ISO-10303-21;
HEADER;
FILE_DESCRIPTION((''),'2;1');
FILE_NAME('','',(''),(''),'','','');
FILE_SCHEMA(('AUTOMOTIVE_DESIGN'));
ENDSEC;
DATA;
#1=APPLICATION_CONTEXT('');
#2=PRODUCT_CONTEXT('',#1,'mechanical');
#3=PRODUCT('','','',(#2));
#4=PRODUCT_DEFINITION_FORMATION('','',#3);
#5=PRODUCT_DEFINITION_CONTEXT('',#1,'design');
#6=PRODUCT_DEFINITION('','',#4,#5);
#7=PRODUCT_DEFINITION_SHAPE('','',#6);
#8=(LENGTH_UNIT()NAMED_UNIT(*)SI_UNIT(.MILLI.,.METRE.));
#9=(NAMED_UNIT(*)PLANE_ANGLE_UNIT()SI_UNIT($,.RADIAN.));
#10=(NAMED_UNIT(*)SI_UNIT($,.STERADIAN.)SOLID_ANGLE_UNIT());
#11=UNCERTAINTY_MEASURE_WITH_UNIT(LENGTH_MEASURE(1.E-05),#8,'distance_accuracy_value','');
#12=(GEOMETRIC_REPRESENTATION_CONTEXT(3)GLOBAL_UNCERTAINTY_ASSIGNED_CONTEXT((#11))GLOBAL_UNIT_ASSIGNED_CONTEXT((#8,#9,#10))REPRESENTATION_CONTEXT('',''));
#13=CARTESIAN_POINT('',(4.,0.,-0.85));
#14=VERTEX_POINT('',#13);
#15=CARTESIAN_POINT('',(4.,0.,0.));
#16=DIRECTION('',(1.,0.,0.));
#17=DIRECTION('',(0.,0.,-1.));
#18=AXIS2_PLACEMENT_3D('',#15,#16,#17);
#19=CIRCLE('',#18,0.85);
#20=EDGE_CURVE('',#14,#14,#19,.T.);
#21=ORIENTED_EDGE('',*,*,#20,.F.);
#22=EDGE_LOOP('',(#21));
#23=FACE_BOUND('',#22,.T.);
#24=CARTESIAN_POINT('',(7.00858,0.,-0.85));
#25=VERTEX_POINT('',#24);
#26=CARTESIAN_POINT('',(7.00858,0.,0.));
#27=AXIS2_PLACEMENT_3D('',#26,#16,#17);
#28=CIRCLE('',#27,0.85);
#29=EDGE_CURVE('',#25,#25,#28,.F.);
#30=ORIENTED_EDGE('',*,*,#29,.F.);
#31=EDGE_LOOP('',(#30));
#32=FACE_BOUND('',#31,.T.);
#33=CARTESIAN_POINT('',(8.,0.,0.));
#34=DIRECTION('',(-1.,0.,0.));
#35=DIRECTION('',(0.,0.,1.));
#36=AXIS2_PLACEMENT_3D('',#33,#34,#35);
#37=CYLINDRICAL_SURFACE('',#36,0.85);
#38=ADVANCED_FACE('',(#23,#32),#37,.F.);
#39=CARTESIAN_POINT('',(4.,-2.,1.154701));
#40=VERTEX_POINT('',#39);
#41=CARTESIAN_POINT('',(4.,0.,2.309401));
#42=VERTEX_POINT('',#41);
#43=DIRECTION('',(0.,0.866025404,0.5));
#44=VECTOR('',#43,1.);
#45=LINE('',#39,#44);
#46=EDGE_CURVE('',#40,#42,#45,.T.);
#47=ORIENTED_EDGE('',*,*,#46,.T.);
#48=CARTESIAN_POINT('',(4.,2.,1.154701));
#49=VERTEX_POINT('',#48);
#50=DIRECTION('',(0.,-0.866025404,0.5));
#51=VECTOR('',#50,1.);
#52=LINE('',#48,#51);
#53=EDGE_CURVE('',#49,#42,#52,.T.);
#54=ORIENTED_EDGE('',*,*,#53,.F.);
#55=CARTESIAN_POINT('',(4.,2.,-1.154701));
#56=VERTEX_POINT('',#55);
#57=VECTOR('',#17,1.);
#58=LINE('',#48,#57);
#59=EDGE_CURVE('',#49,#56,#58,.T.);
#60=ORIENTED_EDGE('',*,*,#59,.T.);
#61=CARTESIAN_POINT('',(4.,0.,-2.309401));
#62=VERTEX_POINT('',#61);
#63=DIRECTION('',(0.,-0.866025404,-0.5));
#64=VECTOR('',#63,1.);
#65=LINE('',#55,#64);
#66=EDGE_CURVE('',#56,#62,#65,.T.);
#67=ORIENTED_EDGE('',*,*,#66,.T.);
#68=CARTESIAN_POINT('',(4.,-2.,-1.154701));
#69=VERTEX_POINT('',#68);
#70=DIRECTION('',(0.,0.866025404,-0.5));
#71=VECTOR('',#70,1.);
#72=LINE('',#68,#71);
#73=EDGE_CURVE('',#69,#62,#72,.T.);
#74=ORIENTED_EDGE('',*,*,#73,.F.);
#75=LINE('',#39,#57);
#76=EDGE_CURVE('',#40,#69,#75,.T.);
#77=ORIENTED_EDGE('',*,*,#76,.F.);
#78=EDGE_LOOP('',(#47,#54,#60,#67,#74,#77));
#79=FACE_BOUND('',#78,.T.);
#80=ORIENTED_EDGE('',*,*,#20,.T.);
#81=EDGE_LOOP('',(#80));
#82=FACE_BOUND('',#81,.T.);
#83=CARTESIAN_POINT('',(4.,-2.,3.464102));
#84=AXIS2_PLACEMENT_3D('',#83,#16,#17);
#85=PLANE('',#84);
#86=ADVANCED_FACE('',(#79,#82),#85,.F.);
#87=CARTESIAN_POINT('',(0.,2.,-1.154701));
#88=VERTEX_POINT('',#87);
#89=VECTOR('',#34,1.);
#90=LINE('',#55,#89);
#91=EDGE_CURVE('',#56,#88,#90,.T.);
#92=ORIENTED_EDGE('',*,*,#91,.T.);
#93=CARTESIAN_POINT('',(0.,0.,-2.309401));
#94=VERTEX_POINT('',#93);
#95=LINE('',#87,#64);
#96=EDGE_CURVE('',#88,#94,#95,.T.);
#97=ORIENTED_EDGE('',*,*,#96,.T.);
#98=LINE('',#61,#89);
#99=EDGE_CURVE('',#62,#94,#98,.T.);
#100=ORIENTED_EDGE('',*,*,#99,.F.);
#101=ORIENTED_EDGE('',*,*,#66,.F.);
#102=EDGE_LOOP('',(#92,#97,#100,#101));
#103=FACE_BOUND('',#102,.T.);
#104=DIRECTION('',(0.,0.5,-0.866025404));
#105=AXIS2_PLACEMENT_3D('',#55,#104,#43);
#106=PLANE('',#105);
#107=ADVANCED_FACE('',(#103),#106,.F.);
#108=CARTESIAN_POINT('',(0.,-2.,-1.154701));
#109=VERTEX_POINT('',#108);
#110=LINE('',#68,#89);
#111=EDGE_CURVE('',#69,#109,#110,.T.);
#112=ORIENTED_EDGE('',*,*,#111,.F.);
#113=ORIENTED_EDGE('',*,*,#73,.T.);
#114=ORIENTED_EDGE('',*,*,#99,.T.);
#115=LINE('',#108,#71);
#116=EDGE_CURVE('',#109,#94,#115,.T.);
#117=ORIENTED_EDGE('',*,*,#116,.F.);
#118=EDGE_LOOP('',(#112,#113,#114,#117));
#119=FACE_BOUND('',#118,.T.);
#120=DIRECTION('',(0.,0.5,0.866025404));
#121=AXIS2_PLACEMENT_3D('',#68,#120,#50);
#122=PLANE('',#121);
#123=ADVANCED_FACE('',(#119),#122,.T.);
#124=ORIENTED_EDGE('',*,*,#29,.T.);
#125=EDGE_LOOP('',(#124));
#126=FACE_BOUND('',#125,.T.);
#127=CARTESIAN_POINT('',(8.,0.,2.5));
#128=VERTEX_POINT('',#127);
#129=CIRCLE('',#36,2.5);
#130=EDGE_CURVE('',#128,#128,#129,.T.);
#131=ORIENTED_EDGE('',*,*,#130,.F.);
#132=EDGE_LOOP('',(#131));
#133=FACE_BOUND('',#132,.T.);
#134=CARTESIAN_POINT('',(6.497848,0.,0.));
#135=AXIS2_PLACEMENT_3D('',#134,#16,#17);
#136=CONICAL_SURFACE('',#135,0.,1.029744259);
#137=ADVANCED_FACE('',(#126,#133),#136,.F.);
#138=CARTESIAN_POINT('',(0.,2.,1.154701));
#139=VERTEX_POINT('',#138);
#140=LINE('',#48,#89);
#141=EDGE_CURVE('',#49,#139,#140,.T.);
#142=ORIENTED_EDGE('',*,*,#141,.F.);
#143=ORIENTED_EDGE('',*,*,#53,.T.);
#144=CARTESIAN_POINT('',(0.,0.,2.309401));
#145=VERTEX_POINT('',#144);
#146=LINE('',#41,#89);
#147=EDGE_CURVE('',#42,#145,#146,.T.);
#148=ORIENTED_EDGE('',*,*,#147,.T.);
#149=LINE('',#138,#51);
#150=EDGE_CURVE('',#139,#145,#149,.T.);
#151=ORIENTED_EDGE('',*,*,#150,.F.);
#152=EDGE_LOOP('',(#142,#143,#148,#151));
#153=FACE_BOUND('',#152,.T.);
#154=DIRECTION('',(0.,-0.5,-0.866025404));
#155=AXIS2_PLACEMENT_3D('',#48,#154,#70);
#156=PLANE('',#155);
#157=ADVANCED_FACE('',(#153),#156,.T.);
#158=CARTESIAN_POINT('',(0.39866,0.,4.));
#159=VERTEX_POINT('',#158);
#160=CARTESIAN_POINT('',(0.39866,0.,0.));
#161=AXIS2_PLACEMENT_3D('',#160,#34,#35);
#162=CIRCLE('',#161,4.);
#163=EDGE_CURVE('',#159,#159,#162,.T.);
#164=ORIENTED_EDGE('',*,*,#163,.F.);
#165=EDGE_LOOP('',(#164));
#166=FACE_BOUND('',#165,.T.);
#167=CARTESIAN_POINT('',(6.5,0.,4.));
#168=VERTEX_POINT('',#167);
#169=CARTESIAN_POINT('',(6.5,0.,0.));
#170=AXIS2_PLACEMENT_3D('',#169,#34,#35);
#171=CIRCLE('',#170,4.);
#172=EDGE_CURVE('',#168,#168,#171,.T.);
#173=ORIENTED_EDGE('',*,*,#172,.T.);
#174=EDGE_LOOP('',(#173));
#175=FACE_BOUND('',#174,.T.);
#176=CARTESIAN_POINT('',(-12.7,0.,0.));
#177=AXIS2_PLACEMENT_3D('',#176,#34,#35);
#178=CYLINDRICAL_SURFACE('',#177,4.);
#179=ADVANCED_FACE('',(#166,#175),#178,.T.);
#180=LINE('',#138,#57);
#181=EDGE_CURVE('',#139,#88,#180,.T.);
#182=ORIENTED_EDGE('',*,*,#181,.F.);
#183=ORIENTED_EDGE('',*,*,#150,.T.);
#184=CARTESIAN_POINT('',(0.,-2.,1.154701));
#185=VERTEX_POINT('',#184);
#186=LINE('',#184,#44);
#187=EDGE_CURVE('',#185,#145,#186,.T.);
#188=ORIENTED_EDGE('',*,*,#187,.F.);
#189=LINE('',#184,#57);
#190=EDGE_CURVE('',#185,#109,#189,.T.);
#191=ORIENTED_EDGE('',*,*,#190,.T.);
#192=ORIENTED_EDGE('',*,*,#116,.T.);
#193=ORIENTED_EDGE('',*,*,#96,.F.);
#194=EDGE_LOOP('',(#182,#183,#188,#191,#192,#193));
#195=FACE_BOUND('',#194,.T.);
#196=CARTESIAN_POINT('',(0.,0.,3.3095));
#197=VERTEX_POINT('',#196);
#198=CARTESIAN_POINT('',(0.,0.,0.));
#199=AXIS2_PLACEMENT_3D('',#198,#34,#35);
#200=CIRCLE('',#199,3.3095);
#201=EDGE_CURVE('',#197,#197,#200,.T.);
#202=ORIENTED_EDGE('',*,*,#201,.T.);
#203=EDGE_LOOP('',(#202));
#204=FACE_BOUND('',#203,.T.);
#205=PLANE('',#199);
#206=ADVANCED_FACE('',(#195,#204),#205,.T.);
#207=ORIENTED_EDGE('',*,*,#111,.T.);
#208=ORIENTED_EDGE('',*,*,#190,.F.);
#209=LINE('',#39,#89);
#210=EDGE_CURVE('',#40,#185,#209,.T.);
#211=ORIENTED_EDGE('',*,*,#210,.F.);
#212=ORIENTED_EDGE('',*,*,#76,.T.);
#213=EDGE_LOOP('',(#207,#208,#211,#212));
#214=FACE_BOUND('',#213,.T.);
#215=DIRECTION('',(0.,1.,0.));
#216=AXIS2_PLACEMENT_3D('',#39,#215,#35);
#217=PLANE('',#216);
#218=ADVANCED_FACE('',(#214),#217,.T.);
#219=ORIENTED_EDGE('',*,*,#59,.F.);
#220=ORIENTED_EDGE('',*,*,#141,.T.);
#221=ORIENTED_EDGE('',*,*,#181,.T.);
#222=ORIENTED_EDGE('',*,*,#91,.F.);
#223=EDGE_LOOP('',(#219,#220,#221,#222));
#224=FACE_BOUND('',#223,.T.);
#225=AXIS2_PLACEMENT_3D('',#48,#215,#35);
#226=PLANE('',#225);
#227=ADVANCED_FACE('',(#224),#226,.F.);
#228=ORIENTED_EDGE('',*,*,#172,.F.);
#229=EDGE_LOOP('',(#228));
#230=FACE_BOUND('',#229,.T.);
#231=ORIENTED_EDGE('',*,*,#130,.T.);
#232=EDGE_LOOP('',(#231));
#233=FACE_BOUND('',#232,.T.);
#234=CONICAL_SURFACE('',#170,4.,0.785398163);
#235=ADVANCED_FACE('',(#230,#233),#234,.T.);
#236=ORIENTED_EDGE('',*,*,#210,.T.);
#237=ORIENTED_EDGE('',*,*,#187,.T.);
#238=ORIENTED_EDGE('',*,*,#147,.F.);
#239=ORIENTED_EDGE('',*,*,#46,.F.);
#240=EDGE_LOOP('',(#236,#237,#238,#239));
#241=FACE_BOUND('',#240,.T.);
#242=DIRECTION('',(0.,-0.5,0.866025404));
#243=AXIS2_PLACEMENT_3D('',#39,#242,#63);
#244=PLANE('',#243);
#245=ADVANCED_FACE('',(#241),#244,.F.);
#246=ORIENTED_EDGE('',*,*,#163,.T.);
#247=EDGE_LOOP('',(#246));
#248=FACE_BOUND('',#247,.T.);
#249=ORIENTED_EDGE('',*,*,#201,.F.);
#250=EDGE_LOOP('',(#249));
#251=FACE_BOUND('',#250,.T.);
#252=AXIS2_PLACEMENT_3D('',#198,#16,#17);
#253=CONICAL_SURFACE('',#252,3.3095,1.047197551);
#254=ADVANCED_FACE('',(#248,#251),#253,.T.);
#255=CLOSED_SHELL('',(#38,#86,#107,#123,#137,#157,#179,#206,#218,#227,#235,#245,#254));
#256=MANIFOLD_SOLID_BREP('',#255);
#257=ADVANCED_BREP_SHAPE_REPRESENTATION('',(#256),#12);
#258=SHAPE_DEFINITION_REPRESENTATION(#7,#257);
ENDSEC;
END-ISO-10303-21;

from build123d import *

# Parameters (mm, degrees)
HEX_2_DEPTH        = 4
SKETCH6_R          = 0.85
CUT_EXTRUDE1_DEPTH = 10.797958971


with BuildPart() as part:
    # BodySke → BaseBody (revolve)
    with BuildSketch(Plane.XY, mode=Mode.PRIVATE) as basebody_sk:
        Polygon((0, 0), (0, 3.3095), (0.398660361, 4), (6.5, 4), (8, 2.5), (6.497848452, 0), align=None)
    revolve(basebody_sk.sketch.rotate(Axis((-12.7, 0, 0), (1, 0, 0)), 90), axis=Axis((-12.7, 0, 0), (1, 0, 0)))

    # Sketch2 → Hex 2 (cut)
    with BuildSketch(Plane.ZY):
        Polygon((1.154700538, 2), (-1.154700538, 2), (-2.309401077, 0), (-1.154700538, -2), (1.154700538, -2), (2.309401077, 0), align=None)
    extrude(amount=-HEX_2_DEPTH, mode=Mode.SUBTRACT)

    # Sketch6 → Cut-Extrude1 (cut, through all)
    with BuildSketch(Plane.ZY):
        with Locations(Location((0, 0, 0), (0, 0, 180))):
            Circle(SKETCH6_R)
    extrude(amount=-CUT_EXTRUDE1_DEPTH, mode=Mode.SUBTRACT)


solid = part.part
